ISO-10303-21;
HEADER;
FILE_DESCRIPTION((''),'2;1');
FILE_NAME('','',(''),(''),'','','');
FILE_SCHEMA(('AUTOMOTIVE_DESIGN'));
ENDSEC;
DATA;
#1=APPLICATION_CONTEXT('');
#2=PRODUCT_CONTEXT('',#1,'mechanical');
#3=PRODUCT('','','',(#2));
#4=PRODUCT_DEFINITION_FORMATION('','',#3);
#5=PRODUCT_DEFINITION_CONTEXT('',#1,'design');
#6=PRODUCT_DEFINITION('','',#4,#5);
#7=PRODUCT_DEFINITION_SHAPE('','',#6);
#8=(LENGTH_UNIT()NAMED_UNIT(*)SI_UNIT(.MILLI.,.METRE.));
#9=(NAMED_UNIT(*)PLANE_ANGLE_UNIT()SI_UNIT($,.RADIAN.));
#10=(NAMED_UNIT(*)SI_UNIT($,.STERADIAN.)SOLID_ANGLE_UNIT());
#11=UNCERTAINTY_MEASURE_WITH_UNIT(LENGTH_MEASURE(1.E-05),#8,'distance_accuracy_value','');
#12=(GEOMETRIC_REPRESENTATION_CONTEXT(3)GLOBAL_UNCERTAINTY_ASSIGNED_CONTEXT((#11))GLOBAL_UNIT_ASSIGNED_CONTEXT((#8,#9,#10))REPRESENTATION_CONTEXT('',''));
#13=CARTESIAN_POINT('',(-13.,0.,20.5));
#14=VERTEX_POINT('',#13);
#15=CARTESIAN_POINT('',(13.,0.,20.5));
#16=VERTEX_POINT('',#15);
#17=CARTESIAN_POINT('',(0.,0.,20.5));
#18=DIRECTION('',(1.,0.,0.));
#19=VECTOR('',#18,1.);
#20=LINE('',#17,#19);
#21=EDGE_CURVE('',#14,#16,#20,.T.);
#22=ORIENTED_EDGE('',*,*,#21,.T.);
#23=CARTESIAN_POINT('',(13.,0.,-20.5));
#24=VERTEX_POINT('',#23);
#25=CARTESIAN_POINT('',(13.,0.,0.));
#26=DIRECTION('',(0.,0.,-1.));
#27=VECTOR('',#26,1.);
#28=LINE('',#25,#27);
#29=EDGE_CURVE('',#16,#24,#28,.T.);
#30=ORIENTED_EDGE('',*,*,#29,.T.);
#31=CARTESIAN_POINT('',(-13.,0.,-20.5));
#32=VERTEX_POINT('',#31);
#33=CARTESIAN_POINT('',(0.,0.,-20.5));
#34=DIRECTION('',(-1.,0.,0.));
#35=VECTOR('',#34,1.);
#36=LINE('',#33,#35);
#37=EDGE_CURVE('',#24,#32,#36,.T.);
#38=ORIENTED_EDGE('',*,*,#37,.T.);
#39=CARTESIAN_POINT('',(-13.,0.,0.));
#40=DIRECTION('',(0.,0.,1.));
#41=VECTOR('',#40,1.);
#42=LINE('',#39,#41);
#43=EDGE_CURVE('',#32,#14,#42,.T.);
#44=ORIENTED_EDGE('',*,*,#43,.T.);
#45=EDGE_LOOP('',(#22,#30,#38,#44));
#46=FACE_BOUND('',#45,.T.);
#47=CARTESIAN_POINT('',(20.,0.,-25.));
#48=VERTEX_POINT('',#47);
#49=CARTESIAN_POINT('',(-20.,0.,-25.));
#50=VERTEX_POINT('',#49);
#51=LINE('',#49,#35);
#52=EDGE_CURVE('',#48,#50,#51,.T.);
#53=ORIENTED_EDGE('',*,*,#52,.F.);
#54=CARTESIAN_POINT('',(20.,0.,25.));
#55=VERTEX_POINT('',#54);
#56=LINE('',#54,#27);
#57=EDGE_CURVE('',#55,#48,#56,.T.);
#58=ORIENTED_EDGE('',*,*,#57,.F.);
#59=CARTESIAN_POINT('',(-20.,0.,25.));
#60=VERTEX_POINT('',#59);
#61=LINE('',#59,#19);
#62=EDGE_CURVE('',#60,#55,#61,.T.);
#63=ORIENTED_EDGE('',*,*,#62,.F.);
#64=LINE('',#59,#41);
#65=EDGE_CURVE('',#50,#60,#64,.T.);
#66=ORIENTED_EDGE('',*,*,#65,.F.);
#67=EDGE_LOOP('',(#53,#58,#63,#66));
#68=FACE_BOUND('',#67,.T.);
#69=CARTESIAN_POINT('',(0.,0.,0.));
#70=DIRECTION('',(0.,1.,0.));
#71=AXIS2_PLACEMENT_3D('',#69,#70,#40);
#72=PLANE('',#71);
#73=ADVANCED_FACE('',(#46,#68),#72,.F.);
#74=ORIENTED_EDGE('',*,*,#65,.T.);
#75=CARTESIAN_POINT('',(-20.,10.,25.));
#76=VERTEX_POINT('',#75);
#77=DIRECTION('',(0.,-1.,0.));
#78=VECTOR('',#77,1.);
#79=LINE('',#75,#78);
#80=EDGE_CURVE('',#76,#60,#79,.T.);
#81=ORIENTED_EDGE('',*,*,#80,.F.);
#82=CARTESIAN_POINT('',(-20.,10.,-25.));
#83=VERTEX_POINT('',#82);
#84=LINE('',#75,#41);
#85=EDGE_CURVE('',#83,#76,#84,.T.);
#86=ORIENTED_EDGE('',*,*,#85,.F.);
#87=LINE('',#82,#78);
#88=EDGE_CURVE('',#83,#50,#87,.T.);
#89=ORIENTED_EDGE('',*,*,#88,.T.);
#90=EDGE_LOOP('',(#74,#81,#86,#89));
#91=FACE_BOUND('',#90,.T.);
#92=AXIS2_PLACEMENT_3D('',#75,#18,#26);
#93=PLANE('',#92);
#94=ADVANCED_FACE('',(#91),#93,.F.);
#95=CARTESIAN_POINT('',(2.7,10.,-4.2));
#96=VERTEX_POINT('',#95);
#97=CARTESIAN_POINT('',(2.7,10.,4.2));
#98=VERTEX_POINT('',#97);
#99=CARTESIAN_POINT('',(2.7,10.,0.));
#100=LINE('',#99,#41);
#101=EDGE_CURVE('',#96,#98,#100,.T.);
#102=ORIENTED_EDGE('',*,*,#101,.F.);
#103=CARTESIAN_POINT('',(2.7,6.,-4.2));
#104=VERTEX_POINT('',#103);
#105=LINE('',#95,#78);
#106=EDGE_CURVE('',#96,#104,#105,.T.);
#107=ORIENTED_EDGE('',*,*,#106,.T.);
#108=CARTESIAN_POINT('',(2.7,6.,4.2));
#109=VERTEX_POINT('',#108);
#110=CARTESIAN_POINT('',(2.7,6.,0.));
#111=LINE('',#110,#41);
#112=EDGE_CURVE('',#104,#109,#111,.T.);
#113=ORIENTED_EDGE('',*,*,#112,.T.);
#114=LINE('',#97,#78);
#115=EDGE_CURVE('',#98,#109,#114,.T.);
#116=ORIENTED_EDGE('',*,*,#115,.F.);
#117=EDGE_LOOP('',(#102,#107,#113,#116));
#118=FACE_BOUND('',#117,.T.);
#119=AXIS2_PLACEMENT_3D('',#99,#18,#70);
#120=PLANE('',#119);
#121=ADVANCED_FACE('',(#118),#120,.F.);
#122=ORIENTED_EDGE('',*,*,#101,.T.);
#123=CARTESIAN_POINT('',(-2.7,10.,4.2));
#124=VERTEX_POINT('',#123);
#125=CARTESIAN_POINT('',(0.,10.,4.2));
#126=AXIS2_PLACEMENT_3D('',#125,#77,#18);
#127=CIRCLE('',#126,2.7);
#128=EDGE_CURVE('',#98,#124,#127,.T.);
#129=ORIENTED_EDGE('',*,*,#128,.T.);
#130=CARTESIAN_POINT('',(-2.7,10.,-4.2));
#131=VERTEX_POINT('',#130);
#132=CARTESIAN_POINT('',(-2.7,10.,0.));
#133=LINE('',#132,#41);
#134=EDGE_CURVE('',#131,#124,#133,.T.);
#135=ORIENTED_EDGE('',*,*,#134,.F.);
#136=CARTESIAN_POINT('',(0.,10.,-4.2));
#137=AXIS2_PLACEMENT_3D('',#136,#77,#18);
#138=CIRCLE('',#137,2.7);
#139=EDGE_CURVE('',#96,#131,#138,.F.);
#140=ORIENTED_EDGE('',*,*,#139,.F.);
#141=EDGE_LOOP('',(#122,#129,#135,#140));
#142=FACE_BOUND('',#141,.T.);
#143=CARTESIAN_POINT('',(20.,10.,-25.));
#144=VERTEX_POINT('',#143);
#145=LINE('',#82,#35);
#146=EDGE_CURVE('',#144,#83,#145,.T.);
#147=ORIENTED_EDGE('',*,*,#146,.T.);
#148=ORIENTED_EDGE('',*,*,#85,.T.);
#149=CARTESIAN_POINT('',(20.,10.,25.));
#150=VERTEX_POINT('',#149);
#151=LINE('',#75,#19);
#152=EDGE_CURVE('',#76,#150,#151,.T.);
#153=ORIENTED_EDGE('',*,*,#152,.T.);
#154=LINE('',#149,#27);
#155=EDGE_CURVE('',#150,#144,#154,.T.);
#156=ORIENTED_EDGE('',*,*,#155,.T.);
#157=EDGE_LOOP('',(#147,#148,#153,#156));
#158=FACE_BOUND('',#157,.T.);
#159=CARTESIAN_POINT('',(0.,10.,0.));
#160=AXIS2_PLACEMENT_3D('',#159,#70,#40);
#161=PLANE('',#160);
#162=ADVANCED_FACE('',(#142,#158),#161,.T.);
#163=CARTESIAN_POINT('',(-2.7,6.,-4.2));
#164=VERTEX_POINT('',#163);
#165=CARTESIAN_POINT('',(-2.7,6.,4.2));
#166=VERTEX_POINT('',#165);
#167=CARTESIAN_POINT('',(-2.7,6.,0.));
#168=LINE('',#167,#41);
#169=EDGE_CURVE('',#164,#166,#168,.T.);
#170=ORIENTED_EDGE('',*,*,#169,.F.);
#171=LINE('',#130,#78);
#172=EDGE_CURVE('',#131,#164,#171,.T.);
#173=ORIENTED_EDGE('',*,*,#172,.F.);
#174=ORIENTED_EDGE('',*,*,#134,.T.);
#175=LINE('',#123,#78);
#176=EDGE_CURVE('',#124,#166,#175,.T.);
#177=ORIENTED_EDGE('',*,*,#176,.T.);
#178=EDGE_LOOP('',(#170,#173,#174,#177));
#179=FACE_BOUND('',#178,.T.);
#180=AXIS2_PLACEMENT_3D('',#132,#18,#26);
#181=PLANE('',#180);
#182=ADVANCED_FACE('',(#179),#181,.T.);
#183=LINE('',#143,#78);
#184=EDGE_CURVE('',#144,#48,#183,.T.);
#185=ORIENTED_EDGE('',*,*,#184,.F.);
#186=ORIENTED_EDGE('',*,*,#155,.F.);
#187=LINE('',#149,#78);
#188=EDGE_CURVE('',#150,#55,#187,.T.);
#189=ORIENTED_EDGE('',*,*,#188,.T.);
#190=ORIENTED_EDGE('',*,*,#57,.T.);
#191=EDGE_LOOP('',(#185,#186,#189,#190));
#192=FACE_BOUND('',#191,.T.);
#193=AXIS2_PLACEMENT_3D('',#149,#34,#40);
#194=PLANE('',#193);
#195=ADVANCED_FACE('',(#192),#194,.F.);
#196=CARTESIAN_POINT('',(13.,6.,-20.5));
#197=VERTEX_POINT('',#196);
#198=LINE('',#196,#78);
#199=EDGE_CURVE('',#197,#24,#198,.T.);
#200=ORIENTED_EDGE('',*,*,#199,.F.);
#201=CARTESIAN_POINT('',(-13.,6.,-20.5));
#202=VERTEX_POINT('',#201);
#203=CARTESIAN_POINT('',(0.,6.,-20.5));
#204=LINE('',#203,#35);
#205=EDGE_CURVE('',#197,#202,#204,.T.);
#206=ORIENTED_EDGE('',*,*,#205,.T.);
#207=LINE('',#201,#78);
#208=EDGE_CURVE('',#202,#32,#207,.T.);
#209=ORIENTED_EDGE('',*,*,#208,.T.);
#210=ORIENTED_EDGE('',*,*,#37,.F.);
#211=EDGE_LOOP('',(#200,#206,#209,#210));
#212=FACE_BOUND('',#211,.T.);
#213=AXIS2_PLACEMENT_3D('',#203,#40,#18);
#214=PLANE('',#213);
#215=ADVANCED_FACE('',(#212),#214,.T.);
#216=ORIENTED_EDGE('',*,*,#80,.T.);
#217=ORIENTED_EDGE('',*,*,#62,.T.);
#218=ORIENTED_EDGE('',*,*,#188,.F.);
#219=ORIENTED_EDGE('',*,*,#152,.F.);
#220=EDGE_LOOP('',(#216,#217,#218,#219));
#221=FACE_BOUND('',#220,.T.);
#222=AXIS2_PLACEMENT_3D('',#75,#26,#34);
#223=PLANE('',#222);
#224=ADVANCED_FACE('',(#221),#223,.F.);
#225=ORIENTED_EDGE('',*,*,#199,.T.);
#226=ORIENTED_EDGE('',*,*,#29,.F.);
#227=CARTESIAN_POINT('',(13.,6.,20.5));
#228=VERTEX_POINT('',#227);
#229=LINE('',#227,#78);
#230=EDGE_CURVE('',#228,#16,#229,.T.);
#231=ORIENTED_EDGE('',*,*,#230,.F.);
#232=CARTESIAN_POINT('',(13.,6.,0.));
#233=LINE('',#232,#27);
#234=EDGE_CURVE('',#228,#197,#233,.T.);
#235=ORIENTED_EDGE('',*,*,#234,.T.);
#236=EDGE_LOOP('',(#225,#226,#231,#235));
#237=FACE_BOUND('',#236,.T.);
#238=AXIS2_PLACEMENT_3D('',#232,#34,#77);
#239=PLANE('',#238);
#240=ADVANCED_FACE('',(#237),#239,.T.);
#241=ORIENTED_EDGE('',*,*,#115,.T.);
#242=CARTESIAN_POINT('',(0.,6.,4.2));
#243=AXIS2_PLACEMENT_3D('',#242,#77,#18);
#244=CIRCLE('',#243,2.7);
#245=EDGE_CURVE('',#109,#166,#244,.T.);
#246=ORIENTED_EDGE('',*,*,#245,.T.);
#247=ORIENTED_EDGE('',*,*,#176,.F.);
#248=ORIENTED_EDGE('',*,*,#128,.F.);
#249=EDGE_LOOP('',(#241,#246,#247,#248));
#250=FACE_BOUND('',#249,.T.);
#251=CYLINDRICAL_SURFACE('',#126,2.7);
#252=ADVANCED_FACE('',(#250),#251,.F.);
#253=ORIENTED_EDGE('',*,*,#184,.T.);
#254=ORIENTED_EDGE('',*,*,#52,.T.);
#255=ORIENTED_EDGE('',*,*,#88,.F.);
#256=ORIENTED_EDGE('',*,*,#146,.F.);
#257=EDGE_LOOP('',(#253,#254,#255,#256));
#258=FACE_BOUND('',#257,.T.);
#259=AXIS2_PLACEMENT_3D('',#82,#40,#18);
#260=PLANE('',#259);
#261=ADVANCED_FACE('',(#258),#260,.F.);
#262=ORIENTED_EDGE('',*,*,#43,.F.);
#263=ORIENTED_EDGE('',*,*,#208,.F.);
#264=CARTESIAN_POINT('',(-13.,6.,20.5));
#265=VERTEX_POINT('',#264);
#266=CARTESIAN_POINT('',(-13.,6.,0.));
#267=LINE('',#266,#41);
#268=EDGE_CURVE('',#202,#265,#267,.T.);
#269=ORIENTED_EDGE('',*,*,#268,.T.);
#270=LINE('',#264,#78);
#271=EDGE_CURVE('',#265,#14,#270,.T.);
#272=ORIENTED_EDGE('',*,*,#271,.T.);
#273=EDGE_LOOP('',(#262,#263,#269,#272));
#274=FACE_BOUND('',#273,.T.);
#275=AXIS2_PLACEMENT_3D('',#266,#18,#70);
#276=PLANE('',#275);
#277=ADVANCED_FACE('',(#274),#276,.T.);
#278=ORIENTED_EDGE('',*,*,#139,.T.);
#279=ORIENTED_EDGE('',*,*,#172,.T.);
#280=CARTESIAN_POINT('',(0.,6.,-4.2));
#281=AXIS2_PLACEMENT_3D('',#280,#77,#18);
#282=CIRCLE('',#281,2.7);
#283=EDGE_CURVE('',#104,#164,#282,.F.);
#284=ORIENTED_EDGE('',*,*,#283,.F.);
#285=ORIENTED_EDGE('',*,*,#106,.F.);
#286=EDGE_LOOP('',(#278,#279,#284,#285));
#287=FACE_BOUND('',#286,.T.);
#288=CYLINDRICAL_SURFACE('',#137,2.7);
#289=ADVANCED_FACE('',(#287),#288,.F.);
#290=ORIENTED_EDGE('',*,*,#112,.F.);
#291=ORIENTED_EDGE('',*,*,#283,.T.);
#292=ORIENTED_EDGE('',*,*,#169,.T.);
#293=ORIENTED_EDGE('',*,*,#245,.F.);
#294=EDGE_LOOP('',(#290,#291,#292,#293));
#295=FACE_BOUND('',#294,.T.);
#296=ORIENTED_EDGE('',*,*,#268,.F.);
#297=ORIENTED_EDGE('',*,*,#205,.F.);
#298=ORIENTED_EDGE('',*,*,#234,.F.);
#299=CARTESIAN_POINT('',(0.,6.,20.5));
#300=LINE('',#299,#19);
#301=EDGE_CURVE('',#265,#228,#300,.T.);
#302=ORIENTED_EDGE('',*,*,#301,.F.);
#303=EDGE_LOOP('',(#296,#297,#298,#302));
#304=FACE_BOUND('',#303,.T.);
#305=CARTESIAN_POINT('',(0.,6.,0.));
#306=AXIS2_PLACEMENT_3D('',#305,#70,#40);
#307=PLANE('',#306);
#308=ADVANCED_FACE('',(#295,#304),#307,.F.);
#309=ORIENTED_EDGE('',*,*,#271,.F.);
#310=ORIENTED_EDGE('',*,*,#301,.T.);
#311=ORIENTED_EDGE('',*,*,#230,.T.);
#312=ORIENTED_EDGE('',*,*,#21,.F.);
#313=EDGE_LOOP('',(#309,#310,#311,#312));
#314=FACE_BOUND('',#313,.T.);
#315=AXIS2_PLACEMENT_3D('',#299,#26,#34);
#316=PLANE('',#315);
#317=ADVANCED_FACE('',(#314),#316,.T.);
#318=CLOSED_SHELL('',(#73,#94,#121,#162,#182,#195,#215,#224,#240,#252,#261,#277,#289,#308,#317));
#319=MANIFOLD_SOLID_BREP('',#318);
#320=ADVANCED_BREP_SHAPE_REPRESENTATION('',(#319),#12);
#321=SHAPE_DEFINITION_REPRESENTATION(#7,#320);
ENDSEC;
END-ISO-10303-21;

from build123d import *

# Parameters (mm, degrees)
SKETCH_1_W          = 50
SKETCH_1_H          = 40
EXTRUDE_1_DEPTH     = 10
CUT_EXTRUDE_START   = -10
SKETCH_7_W          = 41
SKETCH_7_H          = 26
CUT_EXTRUDE_2_DEPTH = 6
CUT_EXTRUDE_3_DEPTH = 33.57299495


with BuildPart() as part:
    # 草图1 → 凸台-拉伸1 (new body)
    with BuildSketch(Plane(origin=(0, 0, 0), x_dir=(0, 0, -1), z_dir=(0, 1, 0))):
        Rectangle(SKETCH_1_W, SKETCH_1_H)
    extrude(amount=EXTRUDE_1_DEPTH)

    # 草图7 → 切除-拉伸2 (cut)
    with BuildSketch(Plane(origin=(0, 10, 0), x_dir=(0, 0, -1), z_dir=(0, 1, 0)).offset(CUT_EXTRUDE_START)):
        Rectangle(SKETCH_7_W, SKETCH_7_H)
    extrude(amount=CUT_EXTRUDE_2_DEPTH, mode=Mode.SUBTRACT)

    # 草图8 → 切除-拉伸3 (cut, through all)
    with BuildSketch(Plane(origin=(0, 6, 0), x_dir=(0, 0, 1), z_dir=(0, -1, 0))):
        with BuildLine():
            ThreePointArc((-1.5, 0), (-2.290811691, 1.909188309), (-4.2, 2.7))
            Line((-4.2, 2.7), (-4.2, -2.7))
            ThreePointArc((-4.2, -2.7), (-2.290811691, -1.909188309), (-1.5, 0))
        make_face()
        with BuildLine():
            Line((-4.2, -2.7), (-4.2, 2.7))
            ThreePointArc((-4.2, 2.7), (-6.9, 0), (-4.2, -2.7))
        make_face()
        with BuildLine():
            Line((4.2, 2.7), (-4.2, 2.7))
            ThreePointArc((-4.2, 2.7), (-2.290811691, 1.909188309), (-1.5, 0))
            ThreePointArc((-1.5, 0), (-2.290811691, -1.909188309), (-4.2, -2.7))
            Line((-4.2, -2.7), (4.2, -2.7))
            ThreePointArc((4.2, -2.7), (1.5, 0), (4.2, 2.7))
        make_face()
        with BuildLine():
            ThreePointArc((6.9, 0), (6.109188309, 1.909188309), (4.2, 2.7))
            Line((4.2, 2.7), (4.2, -2.7))
            ThreePointArc((4.2, -2.7), (6.109188309, -1.909188309), (6.9, 0))
        make_face()
        with BuildLine():
            Line((4.2, -2.7), (4.2, 2.7))
            ThreePointArc((4.2, 2.7), (1.5, 0), (4.2, -2.7))
        make_face()
    extrude(amount=-CUT_EXTRUDE_3_DEPTH, mode=Mode.SUBTRACT)


solid = part.part
